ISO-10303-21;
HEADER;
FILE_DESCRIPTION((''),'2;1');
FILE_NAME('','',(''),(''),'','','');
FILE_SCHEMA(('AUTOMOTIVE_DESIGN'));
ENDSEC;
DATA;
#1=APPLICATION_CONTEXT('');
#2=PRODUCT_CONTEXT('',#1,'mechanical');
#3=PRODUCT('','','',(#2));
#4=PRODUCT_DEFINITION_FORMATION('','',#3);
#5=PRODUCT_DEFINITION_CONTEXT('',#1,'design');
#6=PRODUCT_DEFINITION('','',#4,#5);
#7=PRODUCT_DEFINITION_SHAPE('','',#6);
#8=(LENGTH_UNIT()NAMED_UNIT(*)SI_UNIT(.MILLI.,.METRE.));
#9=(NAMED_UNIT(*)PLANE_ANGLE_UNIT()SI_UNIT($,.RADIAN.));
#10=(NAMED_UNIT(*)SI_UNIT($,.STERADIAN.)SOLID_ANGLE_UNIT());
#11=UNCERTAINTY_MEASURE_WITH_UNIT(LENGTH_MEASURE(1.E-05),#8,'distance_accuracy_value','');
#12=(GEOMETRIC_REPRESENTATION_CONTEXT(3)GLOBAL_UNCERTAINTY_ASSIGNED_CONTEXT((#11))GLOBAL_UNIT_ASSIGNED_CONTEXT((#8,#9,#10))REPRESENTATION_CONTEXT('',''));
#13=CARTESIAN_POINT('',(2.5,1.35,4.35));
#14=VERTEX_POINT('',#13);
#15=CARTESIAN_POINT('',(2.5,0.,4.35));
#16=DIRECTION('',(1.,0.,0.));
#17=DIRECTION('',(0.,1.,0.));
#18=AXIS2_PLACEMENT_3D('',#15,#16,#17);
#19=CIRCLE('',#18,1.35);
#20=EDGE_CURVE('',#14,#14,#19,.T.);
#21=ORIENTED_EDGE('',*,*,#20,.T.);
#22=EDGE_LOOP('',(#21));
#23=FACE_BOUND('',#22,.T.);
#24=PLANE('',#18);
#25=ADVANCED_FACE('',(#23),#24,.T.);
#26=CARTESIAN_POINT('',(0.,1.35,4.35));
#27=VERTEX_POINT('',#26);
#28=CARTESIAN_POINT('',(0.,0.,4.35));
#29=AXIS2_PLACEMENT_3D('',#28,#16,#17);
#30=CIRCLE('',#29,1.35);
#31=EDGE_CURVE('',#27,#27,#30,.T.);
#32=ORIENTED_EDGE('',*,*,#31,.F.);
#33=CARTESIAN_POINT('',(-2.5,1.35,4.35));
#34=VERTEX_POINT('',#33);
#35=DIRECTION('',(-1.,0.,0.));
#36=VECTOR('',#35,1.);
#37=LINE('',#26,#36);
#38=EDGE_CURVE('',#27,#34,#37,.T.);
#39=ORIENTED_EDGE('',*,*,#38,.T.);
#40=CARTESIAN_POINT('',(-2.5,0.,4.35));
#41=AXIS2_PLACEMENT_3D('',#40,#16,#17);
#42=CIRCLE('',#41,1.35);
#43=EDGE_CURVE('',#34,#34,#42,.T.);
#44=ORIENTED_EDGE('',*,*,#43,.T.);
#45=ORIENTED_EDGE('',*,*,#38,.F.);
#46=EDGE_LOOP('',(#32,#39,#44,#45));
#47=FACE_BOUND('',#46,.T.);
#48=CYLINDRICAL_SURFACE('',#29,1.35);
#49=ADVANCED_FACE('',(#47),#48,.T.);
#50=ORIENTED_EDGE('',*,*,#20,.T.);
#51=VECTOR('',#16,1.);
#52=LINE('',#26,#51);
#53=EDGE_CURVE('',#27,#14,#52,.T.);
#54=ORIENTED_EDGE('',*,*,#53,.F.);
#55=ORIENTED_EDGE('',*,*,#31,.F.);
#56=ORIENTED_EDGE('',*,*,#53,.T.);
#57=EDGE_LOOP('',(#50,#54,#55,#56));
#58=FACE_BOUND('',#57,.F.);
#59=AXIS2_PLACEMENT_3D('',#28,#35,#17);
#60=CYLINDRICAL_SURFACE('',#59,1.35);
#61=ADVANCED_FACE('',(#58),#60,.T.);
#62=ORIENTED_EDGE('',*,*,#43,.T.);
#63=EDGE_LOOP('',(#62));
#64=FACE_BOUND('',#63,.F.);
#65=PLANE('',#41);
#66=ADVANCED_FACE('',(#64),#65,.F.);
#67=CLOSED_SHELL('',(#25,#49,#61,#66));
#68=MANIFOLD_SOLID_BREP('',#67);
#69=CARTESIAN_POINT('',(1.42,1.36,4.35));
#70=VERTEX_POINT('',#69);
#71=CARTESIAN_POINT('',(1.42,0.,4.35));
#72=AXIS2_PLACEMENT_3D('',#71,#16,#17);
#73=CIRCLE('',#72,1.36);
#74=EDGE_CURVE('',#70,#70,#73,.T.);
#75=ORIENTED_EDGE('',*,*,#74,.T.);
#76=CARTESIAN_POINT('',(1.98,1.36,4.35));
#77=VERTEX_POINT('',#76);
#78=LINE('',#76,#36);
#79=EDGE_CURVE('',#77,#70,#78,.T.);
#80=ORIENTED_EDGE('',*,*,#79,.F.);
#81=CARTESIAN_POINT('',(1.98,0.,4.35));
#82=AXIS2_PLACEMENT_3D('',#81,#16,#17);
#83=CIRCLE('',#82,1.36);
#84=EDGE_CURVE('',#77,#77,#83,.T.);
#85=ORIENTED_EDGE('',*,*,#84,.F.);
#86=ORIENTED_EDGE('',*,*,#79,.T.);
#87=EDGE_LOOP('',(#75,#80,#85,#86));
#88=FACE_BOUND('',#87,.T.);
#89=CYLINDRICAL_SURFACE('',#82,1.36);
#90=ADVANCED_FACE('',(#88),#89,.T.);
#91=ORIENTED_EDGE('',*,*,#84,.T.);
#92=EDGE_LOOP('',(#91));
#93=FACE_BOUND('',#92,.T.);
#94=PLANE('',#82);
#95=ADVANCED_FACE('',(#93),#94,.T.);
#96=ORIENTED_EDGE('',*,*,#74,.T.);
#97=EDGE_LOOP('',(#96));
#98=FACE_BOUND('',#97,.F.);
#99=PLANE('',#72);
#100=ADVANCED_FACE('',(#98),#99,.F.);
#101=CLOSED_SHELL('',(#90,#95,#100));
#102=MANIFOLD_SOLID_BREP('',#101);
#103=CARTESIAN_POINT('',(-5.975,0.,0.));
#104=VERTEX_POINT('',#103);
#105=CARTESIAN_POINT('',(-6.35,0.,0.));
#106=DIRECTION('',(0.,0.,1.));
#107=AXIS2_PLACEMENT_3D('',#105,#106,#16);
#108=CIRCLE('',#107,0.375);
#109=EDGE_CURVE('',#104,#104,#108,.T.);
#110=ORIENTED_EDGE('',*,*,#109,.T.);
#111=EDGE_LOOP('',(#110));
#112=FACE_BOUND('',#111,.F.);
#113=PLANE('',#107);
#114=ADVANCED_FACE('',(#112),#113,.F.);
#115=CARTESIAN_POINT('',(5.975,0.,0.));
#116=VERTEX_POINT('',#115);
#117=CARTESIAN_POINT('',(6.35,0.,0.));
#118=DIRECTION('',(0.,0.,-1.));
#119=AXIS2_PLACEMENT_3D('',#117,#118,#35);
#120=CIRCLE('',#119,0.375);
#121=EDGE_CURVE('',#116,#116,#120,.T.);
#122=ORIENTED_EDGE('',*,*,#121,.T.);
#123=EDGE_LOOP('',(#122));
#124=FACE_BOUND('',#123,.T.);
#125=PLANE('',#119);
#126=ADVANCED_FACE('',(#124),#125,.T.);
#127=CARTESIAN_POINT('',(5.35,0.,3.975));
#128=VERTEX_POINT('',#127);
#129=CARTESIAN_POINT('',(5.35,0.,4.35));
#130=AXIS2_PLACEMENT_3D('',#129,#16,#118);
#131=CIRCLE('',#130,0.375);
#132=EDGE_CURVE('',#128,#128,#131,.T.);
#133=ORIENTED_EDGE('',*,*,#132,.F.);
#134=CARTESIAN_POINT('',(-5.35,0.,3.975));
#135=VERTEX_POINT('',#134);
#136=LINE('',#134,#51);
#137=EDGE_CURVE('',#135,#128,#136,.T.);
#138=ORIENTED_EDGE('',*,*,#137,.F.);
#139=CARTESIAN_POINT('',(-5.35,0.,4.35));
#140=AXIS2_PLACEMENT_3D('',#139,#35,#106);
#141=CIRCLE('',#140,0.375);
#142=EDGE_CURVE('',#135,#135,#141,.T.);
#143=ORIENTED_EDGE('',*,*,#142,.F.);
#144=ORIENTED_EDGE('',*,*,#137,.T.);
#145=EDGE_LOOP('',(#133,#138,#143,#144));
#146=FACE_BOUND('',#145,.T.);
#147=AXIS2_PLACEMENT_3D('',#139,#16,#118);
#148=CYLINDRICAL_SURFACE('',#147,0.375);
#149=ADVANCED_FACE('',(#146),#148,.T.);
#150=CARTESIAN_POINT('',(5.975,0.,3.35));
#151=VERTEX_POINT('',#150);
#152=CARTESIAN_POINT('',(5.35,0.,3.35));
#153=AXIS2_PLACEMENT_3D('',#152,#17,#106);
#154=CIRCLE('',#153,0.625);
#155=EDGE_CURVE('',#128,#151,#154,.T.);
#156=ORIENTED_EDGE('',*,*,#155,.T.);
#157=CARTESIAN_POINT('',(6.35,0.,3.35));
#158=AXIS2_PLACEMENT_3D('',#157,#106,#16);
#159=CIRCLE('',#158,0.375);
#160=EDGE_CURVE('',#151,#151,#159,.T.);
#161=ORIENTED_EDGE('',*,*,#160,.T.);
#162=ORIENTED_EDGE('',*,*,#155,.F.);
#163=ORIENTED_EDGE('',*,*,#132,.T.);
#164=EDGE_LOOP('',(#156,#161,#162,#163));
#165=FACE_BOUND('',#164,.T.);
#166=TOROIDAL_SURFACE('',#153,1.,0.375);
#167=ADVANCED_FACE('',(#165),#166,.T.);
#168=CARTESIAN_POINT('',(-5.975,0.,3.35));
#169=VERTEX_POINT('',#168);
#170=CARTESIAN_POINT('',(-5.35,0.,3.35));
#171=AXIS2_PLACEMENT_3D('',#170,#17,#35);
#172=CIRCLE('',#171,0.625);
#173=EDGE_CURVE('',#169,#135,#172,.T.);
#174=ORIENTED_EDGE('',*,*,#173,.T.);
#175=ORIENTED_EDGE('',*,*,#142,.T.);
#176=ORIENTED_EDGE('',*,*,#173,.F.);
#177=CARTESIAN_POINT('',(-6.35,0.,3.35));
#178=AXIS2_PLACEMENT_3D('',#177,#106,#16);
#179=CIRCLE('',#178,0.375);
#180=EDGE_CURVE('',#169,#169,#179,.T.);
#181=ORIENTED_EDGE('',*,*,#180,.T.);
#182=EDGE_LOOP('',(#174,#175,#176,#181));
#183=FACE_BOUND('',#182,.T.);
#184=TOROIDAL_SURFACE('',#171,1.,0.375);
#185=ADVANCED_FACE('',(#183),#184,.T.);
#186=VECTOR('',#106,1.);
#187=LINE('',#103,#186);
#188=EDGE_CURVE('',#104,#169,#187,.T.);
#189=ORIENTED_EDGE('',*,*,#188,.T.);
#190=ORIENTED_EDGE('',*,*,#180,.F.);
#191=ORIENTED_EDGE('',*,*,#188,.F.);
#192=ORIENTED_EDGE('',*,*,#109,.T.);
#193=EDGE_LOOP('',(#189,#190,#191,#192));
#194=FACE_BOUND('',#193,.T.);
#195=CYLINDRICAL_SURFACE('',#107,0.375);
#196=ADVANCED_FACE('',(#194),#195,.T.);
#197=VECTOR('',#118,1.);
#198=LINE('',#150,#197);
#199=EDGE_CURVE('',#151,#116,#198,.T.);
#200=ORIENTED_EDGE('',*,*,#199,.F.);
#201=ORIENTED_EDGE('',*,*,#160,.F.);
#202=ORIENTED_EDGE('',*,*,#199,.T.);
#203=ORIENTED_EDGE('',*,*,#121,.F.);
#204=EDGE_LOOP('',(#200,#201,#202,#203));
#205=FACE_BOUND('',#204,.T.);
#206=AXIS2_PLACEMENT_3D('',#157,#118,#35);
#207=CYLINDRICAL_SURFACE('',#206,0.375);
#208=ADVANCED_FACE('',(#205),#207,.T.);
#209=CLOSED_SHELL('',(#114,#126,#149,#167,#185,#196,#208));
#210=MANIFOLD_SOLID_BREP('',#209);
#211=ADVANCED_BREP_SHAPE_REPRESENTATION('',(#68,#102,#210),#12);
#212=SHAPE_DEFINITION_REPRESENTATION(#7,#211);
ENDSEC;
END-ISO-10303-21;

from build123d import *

# Parameters (mm, degrees)
F1_R          = 0.375
F3_R          = 1.35
F4_DEPTH      = 2.5
F4_DEPTH_BACK = 2.5
F6_START      = -0.52
F5_R          = 1.36
F6_DEPTH      = 0.56


with BuildPart() as f2:
    # F2: sweep along a path in F0
    with BuildLine(Plane.XZ) as f2_path:
        Line((-6.35, 0), (-6.35, 3.35))
        ThreePointArc((-6.35, 3.35), (-6.0571067812, 4.0571067812), (-5.35, 4.35))
        Line((-5.35, 4.35), (5.35, 4.35))
        ThreePointArc((5.35, 4.35), (6.0571067812, 4.0571067812), (6.35, 3.35))
        Line((6.35, 3.35), (6.35, 0))
    # F1 (on Top) → F2 (sweep)
    with BuildSketch(Plane.XY):
        with Locations((-6.35, 0)):
            Circle(F1_R)
    sweep(path=f2_path.line)


with BuildPart() as f4:
    # F3 (on Right) → F4 (new body, two sides)
    with BuildSketch(Plane.YZ) as f4_sk:
        with Locations((0, 4.35)):
            Circle(F3_R)
    extrude(amount=-F4_DEPTH)
    extrude(f4_sk.sketch, amount=F4_DEPTH_BACK)


with BuildPart() as f6:
    # F5 (on face) → F6 (new body)
    with BuildSketch(Plane.YZ.offset(2.5).offset(F6_START)):
        with Locations((0, 4.35)):
            Circle(F5_R)
    extrude(amount=-F6_DEPTH)


solid = Compound([f2.part, f4.part, f6.part])
